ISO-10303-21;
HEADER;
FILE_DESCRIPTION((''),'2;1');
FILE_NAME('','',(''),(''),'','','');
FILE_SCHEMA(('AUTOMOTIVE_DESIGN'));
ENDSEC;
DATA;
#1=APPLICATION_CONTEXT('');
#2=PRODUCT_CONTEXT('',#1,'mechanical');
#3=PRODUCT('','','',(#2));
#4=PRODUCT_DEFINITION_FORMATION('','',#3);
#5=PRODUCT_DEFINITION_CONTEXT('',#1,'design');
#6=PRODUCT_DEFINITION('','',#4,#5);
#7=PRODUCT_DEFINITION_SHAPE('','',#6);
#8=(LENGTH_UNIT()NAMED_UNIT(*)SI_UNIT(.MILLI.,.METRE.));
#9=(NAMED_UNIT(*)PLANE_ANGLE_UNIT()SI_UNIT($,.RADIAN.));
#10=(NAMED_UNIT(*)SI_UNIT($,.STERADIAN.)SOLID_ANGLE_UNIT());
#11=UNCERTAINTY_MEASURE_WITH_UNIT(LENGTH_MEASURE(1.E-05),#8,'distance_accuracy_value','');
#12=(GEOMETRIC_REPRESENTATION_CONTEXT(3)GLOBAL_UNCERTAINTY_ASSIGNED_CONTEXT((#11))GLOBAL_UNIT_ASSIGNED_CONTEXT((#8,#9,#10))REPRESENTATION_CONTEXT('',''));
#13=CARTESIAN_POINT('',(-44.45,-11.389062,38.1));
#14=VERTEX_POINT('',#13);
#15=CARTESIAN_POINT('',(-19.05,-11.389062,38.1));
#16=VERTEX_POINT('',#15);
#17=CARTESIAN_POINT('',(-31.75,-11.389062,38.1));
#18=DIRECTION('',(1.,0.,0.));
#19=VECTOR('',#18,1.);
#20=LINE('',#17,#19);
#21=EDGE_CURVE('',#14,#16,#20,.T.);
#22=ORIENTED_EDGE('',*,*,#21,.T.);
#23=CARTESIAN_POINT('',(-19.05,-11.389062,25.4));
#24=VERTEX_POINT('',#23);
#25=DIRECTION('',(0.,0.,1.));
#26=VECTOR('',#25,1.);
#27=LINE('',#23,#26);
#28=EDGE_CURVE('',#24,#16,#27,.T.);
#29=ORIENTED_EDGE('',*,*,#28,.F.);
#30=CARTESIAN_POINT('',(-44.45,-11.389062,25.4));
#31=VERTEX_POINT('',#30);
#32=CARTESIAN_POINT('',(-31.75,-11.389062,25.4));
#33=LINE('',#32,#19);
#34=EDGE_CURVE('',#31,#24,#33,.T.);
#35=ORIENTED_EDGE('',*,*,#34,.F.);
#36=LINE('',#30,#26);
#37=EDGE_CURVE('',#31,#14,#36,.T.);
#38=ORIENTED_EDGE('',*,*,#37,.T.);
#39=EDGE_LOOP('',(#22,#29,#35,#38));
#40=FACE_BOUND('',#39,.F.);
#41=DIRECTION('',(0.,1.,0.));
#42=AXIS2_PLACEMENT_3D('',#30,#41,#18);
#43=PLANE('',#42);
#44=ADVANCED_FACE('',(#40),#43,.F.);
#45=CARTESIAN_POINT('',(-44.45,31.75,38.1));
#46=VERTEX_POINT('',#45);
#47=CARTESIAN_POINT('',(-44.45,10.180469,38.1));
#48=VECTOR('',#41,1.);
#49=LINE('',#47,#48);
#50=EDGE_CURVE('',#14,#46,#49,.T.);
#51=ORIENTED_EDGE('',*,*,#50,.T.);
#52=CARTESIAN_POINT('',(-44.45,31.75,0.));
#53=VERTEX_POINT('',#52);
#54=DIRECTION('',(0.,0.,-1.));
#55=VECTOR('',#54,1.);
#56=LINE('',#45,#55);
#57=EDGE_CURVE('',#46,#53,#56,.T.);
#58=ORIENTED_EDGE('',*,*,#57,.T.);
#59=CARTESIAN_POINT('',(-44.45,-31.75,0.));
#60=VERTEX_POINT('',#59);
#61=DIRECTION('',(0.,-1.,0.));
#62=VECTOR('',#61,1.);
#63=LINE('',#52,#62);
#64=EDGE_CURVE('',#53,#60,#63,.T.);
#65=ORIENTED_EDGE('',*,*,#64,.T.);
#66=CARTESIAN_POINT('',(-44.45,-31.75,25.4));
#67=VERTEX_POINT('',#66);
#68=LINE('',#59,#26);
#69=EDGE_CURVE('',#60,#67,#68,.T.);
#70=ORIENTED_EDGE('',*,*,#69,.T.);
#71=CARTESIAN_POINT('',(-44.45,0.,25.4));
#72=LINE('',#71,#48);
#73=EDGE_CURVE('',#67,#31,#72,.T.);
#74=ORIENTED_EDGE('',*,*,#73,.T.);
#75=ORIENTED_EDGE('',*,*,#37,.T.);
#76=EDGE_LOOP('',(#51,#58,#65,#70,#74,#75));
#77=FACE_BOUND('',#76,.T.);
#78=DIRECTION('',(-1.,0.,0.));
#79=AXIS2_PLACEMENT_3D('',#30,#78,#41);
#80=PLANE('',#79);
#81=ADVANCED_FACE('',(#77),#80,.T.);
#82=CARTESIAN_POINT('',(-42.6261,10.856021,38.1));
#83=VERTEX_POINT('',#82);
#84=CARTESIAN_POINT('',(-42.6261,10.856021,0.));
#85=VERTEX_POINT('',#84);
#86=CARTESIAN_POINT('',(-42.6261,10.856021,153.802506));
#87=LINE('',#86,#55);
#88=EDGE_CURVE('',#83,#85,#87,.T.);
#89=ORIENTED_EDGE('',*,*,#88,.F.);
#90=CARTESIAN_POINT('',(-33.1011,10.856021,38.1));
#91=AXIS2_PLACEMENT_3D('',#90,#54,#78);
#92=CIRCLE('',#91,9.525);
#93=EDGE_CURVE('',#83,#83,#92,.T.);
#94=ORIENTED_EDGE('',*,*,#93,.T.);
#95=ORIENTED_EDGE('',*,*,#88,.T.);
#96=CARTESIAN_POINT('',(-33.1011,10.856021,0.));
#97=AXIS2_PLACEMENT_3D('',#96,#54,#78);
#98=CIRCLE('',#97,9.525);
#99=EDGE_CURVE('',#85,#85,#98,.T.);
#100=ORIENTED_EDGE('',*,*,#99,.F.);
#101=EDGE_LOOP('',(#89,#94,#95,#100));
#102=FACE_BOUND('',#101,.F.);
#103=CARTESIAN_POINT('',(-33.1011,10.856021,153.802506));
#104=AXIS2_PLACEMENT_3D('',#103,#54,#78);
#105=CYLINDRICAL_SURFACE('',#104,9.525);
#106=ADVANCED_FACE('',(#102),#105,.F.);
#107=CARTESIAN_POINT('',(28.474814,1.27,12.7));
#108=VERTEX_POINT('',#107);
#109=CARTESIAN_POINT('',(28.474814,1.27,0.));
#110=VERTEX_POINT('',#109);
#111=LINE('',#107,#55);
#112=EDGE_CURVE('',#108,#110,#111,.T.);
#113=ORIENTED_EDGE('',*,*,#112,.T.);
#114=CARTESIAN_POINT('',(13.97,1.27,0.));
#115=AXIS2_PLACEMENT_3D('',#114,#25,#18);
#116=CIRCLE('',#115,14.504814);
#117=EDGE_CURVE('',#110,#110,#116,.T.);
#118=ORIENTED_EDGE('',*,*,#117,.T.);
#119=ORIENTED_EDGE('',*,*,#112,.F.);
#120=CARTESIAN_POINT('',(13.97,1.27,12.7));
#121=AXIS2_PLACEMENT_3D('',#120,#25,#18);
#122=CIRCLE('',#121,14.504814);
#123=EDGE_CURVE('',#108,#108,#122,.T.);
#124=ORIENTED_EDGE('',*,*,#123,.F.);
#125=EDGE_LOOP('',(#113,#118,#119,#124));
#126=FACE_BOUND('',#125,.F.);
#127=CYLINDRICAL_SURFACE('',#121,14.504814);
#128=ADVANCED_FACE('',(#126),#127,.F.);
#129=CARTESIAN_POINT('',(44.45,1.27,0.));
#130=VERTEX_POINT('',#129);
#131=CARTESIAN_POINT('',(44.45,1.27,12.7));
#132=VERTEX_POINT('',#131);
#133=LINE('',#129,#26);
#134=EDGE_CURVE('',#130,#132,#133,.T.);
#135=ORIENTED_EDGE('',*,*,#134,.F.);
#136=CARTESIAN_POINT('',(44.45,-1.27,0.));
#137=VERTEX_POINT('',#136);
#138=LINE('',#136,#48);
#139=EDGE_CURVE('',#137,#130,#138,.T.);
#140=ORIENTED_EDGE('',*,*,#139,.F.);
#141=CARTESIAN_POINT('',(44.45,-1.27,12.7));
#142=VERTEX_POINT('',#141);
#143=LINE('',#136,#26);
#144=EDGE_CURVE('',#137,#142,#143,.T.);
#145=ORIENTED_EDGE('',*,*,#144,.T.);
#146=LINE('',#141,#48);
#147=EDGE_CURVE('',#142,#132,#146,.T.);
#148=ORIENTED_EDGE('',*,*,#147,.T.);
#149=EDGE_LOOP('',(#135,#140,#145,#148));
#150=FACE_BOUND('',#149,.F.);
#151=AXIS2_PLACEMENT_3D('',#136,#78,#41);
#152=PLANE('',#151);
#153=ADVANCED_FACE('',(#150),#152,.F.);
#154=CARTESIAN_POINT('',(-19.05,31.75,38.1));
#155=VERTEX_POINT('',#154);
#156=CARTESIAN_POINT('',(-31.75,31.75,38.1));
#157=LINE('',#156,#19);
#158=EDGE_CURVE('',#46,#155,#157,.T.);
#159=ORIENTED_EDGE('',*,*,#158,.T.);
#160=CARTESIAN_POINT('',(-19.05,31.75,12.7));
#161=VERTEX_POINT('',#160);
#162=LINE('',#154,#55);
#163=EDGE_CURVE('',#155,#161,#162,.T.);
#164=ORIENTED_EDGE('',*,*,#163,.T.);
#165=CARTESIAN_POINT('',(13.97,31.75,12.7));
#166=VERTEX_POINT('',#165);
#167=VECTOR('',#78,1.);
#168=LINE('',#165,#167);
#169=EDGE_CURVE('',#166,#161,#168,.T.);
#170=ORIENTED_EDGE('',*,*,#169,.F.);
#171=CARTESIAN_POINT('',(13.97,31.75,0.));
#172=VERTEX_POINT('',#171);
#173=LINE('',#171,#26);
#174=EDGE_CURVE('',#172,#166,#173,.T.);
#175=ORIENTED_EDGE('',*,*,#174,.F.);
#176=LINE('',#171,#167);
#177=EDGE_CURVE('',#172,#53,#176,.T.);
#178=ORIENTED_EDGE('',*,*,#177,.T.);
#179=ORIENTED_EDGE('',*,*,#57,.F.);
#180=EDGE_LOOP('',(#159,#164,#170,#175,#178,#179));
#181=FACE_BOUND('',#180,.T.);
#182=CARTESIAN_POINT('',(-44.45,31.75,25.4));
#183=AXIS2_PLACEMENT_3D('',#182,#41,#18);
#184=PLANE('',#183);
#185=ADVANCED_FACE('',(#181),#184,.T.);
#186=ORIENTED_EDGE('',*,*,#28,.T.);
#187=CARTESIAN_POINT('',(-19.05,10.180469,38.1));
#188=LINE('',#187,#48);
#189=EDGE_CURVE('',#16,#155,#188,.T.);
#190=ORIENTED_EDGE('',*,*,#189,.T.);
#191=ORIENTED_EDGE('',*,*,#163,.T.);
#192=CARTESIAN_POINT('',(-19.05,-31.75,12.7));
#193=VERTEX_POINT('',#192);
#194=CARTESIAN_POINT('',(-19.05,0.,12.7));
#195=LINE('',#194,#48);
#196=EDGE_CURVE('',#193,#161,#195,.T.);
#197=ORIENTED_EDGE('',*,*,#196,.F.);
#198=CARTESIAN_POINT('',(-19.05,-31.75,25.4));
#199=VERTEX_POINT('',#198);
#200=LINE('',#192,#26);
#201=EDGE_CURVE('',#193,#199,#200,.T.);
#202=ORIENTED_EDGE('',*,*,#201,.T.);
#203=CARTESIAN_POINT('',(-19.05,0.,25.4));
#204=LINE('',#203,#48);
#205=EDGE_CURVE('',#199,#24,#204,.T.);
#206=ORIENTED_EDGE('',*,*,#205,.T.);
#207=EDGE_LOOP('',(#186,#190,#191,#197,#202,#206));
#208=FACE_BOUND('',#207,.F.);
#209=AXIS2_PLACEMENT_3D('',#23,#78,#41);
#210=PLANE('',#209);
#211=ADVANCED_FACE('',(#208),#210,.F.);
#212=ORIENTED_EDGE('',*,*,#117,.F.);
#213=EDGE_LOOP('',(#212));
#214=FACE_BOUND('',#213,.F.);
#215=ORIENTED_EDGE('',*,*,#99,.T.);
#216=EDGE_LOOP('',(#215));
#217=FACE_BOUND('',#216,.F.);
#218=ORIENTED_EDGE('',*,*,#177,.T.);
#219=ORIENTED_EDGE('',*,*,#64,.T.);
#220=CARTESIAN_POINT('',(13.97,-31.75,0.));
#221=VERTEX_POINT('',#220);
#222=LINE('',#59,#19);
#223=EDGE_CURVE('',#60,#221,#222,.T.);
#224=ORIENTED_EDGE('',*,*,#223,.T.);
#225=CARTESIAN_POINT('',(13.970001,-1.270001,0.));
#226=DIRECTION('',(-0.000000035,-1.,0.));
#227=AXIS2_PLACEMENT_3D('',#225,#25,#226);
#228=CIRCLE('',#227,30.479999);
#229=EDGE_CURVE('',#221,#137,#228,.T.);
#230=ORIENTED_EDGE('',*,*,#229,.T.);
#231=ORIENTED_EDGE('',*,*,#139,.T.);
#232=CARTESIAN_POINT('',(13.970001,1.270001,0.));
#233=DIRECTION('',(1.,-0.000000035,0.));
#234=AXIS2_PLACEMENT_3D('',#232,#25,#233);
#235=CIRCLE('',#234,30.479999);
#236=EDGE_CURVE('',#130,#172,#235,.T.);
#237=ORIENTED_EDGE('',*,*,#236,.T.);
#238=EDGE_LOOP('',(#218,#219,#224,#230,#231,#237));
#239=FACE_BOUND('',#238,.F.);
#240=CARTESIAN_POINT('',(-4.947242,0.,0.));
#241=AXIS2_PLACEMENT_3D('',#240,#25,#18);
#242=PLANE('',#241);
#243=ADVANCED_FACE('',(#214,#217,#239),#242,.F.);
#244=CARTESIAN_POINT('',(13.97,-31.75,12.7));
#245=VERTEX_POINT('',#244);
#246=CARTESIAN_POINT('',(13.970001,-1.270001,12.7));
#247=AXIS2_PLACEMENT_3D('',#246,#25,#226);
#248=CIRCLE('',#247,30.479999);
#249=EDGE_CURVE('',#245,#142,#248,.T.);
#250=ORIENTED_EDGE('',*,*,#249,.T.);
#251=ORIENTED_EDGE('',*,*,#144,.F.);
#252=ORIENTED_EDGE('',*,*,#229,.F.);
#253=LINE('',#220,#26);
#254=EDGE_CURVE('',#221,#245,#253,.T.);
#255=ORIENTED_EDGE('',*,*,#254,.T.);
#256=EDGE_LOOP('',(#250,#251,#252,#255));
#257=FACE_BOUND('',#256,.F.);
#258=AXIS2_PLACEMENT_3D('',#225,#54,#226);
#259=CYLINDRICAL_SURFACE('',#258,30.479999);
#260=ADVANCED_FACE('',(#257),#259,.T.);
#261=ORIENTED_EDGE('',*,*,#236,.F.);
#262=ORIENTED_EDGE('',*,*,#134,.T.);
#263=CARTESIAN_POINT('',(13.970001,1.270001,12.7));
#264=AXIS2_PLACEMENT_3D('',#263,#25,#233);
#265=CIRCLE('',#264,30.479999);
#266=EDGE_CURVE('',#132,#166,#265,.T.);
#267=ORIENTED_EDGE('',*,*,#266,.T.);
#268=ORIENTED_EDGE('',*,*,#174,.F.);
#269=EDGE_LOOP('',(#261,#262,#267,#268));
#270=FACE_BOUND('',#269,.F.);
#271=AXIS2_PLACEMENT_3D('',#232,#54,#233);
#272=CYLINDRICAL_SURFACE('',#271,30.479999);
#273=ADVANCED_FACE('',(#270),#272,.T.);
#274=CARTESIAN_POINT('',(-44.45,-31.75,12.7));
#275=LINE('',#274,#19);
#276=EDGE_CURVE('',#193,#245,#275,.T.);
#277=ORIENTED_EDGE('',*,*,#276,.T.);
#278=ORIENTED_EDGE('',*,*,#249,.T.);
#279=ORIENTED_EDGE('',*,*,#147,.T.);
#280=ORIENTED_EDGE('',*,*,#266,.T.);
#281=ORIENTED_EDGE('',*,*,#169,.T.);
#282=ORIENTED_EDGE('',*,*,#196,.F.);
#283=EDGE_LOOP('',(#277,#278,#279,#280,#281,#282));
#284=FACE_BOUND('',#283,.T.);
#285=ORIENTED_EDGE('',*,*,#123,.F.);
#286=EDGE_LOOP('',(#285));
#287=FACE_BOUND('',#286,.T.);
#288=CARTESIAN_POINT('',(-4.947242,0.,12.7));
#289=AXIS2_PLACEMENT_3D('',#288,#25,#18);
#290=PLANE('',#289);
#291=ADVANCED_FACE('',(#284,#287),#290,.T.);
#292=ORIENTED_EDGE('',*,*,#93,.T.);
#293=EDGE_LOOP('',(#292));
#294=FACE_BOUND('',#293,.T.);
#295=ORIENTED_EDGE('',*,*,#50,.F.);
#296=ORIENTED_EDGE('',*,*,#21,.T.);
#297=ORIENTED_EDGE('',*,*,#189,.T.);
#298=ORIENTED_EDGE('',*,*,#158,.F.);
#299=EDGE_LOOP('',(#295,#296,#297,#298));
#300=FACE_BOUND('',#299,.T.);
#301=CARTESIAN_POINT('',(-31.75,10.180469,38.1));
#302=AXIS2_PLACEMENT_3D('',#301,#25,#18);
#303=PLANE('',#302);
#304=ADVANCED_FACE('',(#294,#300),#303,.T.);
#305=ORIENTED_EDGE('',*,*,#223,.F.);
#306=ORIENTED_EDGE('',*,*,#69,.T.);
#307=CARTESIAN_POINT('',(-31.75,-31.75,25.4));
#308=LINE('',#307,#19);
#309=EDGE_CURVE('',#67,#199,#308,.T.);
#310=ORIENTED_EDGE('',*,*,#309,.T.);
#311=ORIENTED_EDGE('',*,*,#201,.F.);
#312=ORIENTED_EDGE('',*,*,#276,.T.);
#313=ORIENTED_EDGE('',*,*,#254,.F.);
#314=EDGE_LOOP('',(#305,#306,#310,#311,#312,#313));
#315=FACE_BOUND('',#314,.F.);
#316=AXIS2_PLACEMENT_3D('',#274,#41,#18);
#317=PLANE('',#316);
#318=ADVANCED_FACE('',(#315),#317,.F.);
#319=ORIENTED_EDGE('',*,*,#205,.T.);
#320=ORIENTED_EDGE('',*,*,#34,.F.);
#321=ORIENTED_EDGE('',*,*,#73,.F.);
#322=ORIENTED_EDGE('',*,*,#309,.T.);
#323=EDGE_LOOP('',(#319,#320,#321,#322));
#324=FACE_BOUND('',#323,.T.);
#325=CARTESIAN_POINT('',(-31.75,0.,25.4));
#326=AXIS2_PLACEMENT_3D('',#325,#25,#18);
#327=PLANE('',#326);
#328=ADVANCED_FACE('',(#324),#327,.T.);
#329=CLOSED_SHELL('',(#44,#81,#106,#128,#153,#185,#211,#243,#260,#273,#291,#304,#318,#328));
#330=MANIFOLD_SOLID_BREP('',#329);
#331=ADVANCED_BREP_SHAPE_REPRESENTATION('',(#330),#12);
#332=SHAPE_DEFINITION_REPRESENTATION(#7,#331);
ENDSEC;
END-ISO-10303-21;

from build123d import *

# Parameters (mm, degrees)
F1_DEPTH = 12.7
F2_W     = 25.4
F2_H     = 63.5
F3_DEPTH = 12.7
F4_W     = 25.4
F4_H     = 43.139062
F5_DEPTH = 12.7
F6_R     = 14.504814
F7_DEPTH = 12.701
F9_D     = 19.05


with BuildPart() as f1:
    # F0 (on Top) → F1 (new body)
    with BuildSketch(Plane.XY):
        with BuildLine():
            ThreePointArc((44.45, 1.27), (35.522615, 22.822615), (13.97, 31.75))
            Line((13.97, 31.75), (-44.45, 31.75))
            Line((-44.45, 31.75), (-44.45, -31.75))
            Line((-44.45, -31.75), (13.97, -31.75))
            ThreePointArc((13.97, -31.75), (35.522615, -22.822615), (44.45, -1.27))
            Line((44.45, -1.27), (44.45, 1.27))
        make_face()
    extrude(amount=F1_DEPTH)

    # F2 (on face) → F3 (join)
    with BuildSketch(Plane.XY.offset(12.7)):
        with Locations((-31.75, 0)):
            Rectangle(F2_W, F2_H)
    extrude(amount=F3_DEPTH)

    # F4 (on face) → F5 (join)
    with BuildSketch(Plane.XY.offset(25.4)):
        with Locations((-31.75, 10.180469)):
            Rectangle(F4_W, F4_H)
    extrude(amount=F5_DEPTH)

    # F6 (on face) → F7 (cut, through all)
    with BuildSketch(Plane.XY.offset(12.7)):
        with Locations((13.97, 1.27)):
            Circle(F6_R)
    extrude(amount=-F7_DEPTH, mode=Mode.SUBTRACT)

    # F9 (through all)
    with Locations(Plane.XY.offset(38.1)):
        with Locations((-33.1011, 10.856021)):
            Hole(F9_D / 2)


solid = f1.part
